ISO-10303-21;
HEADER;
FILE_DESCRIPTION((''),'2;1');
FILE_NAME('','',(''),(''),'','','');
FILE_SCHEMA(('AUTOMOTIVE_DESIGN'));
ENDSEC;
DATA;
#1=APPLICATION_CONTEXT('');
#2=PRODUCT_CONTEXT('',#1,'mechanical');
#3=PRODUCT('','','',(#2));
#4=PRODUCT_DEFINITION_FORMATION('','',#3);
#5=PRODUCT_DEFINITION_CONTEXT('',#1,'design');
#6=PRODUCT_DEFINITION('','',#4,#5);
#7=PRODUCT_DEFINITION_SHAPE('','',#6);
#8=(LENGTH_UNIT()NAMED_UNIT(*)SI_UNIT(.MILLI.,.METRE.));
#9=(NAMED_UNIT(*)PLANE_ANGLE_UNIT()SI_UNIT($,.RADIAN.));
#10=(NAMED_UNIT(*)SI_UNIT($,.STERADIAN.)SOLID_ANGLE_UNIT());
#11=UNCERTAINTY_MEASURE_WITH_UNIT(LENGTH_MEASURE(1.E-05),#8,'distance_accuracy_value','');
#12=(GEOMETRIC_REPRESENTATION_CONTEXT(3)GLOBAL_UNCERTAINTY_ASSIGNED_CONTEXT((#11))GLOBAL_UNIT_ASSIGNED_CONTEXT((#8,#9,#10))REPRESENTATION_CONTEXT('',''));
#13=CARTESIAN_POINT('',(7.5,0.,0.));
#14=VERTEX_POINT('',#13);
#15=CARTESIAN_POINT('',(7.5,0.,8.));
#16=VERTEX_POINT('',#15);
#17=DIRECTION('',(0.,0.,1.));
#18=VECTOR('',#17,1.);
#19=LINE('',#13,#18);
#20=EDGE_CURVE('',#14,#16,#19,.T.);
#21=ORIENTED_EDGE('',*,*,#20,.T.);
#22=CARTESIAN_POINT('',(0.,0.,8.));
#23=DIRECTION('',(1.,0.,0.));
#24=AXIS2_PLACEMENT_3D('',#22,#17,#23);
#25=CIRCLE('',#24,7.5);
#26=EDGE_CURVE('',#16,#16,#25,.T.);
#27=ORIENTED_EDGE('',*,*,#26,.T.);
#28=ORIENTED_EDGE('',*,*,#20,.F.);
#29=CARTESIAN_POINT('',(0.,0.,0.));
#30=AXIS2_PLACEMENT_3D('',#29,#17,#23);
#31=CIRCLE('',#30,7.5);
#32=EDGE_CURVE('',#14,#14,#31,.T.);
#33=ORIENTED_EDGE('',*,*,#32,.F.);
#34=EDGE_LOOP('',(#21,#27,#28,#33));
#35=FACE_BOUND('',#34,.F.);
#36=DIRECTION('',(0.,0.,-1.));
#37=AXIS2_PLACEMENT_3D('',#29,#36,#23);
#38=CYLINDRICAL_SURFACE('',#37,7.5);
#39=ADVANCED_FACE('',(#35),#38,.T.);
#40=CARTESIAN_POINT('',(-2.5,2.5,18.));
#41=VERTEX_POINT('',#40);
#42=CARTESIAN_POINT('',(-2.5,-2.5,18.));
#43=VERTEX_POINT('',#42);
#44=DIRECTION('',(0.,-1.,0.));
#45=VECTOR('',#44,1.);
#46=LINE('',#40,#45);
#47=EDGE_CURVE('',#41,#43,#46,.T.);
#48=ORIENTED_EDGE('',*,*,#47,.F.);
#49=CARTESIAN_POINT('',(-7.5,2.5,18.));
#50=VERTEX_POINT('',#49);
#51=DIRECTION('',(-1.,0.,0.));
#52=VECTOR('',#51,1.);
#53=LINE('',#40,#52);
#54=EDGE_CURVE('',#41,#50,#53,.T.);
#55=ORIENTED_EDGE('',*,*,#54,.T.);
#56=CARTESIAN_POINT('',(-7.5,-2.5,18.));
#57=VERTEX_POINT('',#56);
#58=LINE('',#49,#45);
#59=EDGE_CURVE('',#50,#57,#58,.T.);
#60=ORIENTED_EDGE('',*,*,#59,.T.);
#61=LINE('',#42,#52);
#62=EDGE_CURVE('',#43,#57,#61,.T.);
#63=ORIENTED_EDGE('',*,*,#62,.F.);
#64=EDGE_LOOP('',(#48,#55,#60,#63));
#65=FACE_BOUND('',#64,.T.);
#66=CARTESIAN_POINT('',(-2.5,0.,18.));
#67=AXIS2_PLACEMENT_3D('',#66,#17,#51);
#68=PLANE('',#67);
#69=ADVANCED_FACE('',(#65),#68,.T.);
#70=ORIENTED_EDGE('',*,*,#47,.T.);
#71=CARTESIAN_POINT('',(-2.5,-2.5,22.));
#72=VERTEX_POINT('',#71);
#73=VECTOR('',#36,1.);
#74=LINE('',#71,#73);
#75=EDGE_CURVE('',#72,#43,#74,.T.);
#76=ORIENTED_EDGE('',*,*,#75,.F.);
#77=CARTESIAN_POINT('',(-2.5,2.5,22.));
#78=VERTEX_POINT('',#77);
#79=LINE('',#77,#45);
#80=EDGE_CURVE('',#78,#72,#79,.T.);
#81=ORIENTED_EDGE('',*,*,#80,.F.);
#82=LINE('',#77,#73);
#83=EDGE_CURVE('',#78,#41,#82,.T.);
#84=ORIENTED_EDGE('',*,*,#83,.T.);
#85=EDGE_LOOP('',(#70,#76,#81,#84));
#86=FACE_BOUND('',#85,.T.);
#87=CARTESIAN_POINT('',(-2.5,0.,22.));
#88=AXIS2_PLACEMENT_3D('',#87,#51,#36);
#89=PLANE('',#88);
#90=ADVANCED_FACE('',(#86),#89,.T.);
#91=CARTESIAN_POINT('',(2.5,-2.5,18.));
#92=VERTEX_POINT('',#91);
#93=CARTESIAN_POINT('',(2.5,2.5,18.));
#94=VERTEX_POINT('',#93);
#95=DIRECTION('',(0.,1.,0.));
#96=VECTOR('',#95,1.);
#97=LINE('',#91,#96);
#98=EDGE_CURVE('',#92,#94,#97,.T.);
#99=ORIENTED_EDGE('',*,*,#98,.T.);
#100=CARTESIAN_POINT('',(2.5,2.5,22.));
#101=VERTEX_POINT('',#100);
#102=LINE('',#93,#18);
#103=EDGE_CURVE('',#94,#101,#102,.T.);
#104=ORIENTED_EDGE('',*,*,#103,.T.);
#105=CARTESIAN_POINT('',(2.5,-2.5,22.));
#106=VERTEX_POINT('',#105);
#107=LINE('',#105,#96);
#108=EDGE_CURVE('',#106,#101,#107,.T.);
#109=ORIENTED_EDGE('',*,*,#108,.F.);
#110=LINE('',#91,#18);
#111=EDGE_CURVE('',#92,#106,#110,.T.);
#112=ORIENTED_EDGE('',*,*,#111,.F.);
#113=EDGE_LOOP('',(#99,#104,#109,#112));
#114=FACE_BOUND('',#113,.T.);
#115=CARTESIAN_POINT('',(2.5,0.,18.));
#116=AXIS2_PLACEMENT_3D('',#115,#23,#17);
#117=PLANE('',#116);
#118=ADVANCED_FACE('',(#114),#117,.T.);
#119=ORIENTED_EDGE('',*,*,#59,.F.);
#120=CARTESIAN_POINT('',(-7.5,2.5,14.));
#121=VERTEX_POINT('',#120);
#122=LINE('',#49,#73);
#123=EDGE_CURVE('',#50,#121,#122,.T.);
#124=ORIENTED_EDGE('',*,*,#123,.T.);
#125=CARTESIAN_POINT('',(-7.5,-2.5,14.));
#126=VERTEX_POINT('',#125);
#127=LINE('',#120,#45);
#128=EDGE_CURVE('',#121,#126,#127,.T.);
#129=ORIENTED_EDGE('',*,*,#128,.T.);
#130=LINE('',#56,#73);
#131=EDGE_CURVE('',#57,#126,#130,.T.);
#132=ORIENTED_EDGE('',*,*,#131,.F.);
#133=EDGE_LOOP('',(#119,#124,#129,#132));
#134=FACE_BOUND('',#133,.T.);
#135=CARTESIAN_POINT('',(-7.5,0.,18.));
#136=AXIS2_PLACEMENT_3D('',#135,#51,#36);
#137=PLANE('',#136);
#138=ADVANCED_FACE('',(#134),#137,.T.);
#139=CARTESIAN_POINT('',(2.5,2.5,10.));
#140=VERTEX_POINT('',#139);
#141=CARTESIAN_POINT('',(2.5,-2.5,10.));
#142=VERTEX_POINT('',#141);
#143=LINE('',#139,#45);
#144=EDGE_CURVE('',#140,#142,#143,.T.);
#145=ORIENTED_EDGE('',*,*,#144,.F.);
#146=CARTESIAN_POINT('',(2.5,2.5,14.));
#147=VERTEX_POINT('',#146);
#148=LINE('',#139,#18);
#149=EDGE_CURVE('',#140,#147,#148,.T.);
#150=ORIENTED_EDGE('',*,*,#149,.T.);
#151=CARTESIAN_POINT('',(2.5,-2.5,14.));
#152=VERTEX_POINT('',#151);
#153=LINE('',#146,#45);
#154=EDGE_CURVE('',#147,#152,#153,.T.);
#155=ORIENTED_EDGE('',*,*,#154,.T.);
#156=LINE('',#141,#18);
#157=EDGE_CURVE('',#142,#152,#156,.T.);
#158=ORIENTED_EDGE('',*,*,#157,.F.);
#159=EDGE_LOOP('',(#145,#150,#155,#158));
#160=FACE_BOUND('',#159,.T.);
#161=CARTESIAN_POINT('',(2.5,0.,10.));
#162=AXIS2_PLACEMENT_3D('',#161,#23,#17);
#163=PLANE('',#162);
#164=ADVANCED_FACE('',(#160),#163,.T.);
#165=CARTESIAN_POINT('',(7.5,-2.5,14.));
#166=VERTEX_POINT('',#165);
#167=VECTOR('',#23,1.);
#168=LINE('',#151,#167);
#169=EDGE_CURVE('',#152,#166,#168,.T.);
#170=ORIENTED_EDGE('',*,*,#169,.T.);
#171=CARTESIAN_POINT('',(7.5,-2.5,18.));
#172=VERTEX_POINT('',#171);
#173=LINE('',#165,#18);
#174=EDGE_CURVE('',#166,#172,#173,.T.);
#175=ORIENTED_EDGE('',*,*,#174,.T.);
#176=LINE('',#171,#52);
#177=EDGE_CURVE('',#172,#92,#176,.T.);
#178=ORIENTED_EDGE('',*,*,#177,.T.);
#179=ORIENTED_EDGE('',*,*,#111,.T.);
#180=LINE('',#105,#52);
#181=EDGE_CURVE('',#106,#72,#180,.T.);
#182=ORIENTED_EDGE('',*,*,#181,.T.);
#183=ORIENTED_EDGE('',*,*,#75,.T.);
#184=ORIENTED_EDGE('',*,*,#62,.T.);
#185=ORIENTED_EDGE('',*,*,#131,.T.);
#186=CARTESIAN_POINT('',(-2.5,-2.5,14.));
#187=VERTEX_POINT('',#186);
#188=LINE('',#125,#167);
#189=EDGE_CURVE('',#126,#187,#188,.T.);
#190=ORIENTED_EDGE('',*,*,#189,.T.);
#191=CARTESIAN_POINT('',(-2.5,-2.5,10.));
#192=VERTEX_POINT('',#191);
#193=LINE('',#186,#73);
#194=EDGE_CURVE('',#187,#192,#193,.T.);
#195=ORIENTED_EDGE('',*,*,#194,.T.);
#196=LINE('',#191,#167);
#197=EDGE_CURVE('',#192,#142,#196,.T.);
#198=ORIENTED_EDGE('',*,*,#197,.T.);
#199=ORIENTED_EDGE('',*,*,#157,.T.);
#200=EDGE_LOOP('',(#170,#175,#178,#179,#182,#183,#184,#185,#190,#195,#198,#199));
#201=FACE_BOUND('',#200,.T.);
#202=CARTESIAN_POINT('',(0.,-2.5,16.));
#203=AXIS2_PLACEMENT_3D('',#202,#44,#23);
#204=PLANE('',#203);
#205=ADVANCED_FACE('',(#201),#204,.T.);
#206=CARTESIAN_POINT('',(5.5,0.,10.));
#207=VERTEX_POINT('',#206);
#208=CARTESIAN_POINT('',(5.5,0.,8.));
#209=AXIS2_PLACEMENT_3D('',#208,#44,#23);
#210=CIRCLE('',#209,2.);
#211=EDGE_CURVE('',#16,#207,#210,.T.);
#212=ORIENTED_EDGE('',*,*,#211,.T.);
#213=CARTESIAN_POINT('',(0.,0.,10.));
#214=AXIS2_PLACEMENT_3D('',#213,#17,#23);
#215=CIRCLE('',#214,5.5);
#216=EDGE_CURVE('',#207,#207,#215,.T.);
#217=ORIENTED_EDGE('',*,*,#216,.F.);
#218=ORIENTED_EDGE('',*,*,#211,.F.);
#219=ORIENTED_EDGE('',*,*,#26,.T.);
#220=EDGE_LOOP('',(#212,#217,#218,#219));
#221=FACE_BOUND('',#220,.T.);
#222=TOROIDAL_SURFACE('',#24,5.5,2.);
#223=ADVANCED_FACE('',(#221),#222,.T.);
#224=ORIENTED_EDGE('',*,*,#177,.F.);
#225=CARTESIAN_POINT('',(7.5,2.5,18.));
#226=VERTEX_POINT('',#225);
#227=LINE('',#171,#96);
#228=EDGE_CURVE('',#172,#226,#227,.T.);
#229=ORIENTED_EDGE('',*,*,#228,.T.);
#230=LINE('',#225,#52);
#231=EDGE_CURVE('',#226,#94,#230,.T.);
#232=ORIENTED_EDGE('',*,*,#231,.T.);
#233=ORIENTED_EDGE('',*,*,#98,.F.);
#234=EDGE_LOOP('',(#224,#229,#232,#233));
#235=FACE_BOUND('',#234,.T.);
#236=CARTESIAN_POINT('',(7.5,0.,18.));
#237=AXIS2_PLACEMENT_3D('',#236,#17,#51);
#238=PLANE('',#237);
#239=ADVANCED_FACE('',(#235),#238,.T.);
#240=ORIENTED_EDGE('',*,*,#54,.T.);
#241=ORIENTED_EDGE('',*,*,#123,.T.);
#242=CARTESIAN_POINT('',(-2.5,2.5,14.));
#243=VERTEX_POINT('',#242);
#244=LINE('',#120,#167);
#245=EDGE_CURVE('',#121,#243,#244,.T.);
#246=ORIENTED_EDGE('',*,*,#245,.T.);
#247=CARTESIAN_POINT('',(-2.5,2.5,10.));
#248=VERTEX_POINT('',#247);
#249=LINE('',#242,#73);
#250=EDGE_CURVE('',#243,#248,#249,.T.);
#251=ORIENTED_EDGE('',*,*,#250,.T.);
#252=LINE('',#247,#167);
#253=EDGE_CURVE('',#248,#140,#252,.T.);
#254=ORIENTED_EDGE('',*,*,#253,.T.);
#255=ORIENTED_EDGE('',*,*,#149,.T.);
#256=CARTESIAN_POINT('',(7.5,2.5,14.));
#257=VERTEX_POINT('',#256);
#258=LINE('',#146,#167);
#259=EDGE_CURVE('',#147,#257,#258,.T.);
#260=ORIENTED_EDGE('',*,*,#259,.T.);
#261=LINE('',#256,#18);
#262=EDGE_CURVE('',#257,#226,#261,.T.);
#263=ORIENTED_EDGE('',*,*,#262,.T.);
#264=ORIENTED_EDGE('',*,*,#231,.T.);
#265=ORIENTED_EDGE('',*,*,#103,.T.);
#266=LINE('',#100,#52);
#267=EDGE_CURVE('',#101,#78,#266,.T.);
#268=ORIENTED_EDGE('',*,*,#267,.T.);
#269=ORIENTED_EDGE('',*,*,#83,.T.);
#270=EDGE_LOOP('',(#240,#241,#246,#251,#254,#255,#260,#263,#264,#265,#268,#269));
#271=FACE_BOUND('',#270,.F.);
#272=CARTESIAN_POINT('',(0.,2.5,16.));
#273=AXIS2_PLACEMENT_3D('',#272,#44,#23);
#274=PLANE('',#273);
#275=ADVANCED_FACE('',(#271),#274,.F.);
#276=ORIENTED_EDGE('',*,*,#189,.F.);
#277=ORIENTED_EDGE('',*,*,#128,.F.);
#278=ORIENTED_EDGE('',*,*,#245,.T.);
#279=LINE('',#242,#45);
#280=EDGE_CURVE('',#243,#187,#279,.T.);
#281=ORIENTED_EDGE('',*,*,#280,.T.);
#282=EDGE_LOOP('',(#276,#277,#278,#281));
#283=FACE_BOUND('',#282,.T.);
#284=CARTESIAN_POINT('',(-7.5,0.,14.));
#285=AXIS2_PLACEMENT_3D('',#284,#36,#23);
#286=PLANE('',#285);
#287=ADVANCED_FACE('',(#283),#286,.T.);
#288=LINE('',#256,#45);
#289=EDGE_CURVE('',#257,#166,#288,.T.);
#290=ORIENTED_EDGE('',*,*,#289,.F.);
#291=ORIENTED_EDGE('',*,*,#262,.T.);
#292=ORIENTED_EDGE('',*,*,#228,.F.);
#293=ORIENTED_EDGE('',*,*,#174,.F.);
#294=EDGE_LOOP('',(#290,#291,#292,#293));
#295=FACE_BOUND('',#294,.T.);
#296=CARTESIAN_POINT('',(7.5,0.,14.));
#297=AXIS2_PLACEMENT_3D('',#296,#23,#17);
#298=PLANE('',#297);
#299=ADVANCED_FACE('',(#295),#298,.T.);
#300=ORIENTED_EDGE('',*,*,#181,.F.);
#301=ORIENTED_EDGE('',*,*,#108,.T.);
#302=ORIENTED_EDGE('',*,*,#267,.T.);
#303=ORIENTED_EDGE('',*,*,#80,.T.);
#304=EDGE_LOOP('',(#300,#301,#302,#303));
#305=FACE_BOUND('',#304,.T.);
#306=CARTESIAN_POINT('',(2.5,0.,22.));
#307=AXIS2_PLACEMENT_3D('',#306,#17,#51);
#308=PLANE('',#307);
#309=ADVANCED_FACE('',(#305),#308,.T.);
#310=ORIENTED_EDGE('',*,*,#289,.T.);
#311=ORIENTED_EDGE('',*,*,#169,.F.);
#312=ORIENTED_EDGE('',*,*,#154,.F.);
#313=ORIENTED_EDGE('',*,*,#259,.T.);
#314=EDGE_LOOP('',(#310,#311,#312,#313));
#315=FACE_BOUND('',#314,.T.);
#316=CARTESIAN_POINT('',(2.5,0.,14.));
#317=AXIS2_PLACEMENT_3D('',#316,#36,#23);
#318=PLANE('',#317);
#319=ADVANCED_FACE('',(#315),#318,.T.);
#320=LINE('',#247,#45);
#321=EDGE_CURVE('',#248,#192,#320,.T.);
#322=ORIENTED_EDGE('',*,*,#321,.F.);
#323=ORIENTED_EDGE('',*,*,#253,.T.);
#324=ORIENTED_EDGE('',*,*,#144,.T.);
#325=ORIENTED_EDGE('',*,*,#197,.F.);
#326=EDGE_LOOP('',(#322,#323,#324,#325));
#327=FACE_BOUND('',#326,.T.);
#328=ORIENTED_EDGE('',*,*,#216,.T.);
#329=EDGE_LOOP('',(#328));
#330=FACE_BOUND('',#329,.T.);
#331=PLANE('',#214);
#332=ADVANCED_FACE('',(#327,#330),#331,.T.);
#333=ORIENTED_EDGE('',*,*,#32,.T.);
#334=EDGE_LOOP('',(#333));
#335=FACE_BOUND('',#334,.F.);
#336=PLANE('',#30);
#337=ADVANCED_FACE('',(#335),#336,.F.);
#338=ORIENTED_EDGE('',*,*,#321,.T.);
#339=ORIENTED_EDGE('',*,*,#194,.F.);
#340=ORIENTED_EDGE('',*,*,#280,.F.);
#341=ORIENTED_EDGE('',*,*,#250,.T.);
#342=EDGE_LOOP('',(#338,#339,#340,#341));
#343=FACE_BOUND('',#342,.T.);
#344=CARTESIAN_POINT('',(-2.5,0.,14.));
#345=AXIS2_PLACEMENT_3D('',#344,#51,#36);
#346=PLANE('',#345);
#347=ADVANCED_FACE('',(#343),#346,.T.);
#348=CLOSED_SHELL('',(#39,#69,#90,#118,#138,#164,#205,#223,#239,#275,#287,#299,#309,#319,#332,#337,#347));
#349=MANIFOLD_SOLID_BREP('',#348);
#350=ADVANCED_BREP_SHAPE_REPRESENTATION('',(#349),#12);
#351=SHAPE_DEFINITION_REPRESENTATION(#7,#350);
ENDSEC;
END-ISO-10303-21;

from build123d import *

# Parameters (mm, degrees)
F0_R     = 7.5
F1_DEPTH = 10
F3_DEPTH = 2.5
F4_R     = 2


with BuildPart() as f1:
    # F0 (on Top) → F1 (new body)
    with BuildSketch(Plane.XY):
        Circle(F0_R)
    extrude(amount=F1_DEPTH)

    # F2 (on Front) → F3 (join, symmetric)
    with BuildSketch(Plane.XZ):
        Polygon((2.5, 22), (-2.5, 22), (-2.5, 18), (-7.5, 18), (-7.5, 14), (-2.5, 14), (-2.5, 10), (2.5, 10), (2.5, 14), (7.5, 14), (7.5, 18), (2.5, 18), align=None)
    extrude(amount=F3_DEPTH, both=True)

    # F4
    f4_edges = [f1.edges().sort_by_distance(p)[0] for p in [
        (-7.5, 0, 10),
    ]]
    fillet(f4_edges, radius=F4_R)


solid = f1.part
